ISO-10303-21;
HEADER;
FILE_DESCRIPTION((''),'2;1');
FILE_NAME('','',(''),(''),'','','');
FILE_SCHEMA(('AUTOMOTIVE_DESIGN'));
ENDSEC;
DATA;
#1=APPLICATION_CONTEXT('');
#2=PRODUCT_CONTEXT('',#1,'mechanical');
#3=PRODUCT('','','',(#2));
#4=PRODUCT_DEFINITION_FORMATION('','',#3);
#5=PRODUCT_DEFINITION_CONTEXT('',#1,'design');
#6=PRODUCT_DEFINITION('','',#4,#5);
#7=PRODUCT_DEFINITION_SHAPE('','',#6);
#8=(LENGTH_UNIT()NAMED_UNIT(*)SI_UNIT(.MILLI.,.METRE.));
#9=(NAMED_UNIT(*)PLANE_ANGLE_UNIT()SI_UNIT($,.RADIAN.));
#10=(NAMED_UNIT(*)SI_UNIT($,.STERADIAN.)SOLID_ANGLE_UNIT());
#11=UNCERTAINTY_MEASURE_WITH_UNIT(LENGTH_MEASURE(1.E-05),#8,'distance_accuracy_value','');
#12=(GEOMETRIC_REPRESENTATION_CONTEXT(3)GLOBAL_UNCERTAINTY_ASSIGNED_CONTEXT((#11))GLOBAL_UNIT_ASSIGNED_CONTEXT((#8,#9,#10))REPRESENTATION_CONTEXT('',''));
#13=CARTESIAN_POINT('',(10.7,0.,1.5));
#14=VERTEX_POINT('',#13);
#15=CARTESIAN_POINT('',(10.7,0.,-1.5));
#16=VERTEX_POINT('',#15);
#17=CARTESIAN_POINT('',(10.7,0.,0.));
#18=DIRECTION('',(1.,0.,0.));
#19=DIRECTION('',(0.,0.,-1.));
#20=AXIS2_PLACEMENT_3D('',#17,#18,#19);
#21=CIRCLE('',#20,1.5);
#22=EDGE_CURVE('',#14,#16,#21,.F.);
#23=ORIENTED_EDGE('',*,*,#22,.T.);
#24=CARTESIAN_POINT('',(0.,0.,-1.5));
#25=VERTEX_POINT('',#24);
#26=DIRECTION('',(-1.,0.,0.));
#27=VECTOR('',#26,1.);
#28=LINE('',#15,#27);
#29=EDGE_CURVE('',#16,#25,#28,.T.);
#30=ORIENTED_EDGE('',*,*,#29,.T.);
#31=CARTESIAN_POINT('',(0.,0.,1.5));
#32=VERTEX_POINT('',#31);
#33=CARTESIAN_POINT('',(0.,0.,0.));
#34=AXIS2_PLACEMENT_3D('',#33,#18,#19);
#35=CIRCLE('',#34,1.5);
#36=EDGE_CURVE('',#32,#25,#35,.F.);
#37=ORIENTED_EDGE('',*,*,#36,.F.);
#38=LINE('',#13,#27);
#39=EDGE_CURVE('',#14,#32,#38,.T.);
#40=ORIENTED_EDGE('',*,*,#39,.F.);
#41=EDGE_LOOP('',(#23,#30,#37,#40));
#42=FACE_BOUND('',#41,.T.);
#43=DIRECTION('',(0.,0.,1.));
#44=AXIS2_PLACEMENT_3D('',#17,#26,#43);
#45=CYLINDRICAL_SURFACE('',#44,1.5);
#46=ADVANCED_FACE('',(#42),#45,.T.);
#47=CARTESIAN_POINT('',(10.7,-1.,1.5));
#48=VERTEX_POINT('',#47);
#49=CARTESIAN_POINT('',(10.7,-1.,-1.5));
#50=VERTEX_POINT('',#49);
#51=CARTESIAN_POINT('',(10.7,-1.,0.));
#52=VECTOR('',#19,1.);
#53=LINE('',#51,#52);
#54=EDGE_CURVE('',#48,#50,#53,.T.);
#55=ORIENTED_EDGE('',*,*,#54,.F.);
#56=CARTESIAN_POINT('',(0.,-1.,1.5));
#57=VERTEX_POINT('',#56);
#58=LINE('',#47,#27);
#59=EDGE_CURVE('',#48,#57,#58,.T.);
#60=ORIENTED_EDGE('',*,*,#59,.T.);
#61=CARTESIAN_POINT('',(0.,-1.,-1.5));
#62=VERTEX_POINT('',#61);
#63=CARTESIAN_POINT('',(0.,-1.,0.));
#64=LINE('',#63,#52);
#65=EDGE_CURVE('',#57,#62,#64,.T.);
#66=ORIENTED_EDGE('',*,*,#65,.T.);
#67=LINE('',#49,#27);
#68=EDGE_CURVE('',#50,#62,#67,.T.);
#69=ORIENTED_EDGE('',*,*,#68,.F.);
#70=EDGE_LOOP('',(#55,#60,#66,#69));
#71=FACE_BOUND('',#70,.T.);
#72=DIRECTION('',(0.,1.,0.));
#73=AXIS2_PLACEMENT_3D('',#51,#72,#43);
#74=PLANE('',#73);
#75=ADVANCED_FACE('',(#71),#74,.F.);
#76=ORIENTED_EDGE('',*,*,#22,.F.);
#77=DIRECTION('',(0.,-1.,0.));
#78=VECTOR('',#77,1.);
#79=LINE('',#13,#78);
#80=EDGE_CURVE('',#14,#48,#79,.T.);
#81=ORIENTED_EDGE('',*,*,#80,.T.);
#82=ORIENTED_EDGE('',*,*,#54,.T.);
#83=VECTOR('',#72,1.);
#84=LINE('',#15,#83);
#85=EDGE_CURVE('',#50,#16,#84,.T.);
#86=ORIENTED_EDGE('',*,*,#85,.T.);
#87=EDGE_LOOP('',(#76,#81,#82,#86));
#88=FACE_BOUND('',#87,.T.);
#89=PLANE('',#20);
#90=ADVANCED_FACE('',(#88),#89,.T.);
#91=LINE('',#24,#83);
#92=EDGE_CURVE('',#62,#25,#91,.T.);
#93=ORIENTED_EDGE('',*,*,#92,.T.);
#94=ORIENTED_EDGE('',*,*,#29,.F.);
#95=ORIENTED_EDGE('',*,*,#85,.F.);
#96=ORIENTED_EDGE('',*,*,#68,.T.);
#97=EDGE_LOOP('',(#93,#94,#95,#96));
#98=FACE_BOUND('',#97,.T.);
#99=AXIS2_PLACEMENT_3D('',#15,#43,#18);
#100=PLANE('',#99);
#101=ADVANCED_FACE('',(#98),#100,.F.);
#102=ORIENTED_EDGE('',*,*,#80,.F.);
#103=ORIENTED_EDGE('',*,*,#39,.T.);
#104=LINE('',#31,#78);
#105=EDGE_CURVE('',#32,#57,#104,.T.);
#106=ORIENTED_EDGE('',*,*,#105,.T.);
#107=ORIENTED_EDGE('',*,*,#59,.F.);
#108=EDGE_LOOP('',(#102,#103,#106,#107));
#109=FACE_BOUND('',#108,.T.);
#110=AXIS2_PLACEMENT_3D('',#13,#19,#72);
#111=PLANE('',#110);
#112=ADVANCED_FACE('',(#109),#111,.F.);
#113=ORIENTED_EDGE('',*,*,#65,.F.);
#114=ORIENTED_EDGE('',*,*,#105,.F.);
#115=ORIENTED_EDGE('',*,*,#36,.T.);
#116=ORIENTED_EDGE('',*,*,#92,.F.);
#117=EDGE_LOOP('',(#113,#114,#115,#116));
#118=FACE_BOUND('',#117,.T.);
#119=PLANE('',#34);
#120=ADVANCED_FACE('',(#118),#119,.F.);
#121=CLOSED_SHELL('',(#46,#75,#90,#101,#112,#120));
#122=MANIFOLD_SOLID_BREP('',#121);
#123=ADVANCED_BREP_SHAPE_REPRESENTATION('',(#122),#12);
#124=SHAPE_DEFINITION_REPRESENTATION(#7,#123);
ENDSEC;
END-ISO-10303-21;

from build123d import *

# Parameters (mm, degrees)
SKETCH1_W           = 3
SKETCH1_H           = 1
BOSS_EXTRUDE1_DEPTH = 10.7


with BuildPart() as part:
    # Sketch1 → Boss-Extrude1 (new body)
    with BuildSketch(Plane(origin=(0, 0, 0), x_dir=(0, 0, -1), z_dir=(1, 0, 0))):
        with BuildLine():
            ThreePointArc((-1.5, 0), (0, 1.5), (1.5, 0))
            Line((1.5, 0), (-1.5, 0))
        make_face()
        with Locations((0, -0.5)):
            Rectangle(SKETCH1_W, SKETCH1_H)
    extrude(amount=BOSS_EXTRUDE1_DEPTH)


solid = part.part
